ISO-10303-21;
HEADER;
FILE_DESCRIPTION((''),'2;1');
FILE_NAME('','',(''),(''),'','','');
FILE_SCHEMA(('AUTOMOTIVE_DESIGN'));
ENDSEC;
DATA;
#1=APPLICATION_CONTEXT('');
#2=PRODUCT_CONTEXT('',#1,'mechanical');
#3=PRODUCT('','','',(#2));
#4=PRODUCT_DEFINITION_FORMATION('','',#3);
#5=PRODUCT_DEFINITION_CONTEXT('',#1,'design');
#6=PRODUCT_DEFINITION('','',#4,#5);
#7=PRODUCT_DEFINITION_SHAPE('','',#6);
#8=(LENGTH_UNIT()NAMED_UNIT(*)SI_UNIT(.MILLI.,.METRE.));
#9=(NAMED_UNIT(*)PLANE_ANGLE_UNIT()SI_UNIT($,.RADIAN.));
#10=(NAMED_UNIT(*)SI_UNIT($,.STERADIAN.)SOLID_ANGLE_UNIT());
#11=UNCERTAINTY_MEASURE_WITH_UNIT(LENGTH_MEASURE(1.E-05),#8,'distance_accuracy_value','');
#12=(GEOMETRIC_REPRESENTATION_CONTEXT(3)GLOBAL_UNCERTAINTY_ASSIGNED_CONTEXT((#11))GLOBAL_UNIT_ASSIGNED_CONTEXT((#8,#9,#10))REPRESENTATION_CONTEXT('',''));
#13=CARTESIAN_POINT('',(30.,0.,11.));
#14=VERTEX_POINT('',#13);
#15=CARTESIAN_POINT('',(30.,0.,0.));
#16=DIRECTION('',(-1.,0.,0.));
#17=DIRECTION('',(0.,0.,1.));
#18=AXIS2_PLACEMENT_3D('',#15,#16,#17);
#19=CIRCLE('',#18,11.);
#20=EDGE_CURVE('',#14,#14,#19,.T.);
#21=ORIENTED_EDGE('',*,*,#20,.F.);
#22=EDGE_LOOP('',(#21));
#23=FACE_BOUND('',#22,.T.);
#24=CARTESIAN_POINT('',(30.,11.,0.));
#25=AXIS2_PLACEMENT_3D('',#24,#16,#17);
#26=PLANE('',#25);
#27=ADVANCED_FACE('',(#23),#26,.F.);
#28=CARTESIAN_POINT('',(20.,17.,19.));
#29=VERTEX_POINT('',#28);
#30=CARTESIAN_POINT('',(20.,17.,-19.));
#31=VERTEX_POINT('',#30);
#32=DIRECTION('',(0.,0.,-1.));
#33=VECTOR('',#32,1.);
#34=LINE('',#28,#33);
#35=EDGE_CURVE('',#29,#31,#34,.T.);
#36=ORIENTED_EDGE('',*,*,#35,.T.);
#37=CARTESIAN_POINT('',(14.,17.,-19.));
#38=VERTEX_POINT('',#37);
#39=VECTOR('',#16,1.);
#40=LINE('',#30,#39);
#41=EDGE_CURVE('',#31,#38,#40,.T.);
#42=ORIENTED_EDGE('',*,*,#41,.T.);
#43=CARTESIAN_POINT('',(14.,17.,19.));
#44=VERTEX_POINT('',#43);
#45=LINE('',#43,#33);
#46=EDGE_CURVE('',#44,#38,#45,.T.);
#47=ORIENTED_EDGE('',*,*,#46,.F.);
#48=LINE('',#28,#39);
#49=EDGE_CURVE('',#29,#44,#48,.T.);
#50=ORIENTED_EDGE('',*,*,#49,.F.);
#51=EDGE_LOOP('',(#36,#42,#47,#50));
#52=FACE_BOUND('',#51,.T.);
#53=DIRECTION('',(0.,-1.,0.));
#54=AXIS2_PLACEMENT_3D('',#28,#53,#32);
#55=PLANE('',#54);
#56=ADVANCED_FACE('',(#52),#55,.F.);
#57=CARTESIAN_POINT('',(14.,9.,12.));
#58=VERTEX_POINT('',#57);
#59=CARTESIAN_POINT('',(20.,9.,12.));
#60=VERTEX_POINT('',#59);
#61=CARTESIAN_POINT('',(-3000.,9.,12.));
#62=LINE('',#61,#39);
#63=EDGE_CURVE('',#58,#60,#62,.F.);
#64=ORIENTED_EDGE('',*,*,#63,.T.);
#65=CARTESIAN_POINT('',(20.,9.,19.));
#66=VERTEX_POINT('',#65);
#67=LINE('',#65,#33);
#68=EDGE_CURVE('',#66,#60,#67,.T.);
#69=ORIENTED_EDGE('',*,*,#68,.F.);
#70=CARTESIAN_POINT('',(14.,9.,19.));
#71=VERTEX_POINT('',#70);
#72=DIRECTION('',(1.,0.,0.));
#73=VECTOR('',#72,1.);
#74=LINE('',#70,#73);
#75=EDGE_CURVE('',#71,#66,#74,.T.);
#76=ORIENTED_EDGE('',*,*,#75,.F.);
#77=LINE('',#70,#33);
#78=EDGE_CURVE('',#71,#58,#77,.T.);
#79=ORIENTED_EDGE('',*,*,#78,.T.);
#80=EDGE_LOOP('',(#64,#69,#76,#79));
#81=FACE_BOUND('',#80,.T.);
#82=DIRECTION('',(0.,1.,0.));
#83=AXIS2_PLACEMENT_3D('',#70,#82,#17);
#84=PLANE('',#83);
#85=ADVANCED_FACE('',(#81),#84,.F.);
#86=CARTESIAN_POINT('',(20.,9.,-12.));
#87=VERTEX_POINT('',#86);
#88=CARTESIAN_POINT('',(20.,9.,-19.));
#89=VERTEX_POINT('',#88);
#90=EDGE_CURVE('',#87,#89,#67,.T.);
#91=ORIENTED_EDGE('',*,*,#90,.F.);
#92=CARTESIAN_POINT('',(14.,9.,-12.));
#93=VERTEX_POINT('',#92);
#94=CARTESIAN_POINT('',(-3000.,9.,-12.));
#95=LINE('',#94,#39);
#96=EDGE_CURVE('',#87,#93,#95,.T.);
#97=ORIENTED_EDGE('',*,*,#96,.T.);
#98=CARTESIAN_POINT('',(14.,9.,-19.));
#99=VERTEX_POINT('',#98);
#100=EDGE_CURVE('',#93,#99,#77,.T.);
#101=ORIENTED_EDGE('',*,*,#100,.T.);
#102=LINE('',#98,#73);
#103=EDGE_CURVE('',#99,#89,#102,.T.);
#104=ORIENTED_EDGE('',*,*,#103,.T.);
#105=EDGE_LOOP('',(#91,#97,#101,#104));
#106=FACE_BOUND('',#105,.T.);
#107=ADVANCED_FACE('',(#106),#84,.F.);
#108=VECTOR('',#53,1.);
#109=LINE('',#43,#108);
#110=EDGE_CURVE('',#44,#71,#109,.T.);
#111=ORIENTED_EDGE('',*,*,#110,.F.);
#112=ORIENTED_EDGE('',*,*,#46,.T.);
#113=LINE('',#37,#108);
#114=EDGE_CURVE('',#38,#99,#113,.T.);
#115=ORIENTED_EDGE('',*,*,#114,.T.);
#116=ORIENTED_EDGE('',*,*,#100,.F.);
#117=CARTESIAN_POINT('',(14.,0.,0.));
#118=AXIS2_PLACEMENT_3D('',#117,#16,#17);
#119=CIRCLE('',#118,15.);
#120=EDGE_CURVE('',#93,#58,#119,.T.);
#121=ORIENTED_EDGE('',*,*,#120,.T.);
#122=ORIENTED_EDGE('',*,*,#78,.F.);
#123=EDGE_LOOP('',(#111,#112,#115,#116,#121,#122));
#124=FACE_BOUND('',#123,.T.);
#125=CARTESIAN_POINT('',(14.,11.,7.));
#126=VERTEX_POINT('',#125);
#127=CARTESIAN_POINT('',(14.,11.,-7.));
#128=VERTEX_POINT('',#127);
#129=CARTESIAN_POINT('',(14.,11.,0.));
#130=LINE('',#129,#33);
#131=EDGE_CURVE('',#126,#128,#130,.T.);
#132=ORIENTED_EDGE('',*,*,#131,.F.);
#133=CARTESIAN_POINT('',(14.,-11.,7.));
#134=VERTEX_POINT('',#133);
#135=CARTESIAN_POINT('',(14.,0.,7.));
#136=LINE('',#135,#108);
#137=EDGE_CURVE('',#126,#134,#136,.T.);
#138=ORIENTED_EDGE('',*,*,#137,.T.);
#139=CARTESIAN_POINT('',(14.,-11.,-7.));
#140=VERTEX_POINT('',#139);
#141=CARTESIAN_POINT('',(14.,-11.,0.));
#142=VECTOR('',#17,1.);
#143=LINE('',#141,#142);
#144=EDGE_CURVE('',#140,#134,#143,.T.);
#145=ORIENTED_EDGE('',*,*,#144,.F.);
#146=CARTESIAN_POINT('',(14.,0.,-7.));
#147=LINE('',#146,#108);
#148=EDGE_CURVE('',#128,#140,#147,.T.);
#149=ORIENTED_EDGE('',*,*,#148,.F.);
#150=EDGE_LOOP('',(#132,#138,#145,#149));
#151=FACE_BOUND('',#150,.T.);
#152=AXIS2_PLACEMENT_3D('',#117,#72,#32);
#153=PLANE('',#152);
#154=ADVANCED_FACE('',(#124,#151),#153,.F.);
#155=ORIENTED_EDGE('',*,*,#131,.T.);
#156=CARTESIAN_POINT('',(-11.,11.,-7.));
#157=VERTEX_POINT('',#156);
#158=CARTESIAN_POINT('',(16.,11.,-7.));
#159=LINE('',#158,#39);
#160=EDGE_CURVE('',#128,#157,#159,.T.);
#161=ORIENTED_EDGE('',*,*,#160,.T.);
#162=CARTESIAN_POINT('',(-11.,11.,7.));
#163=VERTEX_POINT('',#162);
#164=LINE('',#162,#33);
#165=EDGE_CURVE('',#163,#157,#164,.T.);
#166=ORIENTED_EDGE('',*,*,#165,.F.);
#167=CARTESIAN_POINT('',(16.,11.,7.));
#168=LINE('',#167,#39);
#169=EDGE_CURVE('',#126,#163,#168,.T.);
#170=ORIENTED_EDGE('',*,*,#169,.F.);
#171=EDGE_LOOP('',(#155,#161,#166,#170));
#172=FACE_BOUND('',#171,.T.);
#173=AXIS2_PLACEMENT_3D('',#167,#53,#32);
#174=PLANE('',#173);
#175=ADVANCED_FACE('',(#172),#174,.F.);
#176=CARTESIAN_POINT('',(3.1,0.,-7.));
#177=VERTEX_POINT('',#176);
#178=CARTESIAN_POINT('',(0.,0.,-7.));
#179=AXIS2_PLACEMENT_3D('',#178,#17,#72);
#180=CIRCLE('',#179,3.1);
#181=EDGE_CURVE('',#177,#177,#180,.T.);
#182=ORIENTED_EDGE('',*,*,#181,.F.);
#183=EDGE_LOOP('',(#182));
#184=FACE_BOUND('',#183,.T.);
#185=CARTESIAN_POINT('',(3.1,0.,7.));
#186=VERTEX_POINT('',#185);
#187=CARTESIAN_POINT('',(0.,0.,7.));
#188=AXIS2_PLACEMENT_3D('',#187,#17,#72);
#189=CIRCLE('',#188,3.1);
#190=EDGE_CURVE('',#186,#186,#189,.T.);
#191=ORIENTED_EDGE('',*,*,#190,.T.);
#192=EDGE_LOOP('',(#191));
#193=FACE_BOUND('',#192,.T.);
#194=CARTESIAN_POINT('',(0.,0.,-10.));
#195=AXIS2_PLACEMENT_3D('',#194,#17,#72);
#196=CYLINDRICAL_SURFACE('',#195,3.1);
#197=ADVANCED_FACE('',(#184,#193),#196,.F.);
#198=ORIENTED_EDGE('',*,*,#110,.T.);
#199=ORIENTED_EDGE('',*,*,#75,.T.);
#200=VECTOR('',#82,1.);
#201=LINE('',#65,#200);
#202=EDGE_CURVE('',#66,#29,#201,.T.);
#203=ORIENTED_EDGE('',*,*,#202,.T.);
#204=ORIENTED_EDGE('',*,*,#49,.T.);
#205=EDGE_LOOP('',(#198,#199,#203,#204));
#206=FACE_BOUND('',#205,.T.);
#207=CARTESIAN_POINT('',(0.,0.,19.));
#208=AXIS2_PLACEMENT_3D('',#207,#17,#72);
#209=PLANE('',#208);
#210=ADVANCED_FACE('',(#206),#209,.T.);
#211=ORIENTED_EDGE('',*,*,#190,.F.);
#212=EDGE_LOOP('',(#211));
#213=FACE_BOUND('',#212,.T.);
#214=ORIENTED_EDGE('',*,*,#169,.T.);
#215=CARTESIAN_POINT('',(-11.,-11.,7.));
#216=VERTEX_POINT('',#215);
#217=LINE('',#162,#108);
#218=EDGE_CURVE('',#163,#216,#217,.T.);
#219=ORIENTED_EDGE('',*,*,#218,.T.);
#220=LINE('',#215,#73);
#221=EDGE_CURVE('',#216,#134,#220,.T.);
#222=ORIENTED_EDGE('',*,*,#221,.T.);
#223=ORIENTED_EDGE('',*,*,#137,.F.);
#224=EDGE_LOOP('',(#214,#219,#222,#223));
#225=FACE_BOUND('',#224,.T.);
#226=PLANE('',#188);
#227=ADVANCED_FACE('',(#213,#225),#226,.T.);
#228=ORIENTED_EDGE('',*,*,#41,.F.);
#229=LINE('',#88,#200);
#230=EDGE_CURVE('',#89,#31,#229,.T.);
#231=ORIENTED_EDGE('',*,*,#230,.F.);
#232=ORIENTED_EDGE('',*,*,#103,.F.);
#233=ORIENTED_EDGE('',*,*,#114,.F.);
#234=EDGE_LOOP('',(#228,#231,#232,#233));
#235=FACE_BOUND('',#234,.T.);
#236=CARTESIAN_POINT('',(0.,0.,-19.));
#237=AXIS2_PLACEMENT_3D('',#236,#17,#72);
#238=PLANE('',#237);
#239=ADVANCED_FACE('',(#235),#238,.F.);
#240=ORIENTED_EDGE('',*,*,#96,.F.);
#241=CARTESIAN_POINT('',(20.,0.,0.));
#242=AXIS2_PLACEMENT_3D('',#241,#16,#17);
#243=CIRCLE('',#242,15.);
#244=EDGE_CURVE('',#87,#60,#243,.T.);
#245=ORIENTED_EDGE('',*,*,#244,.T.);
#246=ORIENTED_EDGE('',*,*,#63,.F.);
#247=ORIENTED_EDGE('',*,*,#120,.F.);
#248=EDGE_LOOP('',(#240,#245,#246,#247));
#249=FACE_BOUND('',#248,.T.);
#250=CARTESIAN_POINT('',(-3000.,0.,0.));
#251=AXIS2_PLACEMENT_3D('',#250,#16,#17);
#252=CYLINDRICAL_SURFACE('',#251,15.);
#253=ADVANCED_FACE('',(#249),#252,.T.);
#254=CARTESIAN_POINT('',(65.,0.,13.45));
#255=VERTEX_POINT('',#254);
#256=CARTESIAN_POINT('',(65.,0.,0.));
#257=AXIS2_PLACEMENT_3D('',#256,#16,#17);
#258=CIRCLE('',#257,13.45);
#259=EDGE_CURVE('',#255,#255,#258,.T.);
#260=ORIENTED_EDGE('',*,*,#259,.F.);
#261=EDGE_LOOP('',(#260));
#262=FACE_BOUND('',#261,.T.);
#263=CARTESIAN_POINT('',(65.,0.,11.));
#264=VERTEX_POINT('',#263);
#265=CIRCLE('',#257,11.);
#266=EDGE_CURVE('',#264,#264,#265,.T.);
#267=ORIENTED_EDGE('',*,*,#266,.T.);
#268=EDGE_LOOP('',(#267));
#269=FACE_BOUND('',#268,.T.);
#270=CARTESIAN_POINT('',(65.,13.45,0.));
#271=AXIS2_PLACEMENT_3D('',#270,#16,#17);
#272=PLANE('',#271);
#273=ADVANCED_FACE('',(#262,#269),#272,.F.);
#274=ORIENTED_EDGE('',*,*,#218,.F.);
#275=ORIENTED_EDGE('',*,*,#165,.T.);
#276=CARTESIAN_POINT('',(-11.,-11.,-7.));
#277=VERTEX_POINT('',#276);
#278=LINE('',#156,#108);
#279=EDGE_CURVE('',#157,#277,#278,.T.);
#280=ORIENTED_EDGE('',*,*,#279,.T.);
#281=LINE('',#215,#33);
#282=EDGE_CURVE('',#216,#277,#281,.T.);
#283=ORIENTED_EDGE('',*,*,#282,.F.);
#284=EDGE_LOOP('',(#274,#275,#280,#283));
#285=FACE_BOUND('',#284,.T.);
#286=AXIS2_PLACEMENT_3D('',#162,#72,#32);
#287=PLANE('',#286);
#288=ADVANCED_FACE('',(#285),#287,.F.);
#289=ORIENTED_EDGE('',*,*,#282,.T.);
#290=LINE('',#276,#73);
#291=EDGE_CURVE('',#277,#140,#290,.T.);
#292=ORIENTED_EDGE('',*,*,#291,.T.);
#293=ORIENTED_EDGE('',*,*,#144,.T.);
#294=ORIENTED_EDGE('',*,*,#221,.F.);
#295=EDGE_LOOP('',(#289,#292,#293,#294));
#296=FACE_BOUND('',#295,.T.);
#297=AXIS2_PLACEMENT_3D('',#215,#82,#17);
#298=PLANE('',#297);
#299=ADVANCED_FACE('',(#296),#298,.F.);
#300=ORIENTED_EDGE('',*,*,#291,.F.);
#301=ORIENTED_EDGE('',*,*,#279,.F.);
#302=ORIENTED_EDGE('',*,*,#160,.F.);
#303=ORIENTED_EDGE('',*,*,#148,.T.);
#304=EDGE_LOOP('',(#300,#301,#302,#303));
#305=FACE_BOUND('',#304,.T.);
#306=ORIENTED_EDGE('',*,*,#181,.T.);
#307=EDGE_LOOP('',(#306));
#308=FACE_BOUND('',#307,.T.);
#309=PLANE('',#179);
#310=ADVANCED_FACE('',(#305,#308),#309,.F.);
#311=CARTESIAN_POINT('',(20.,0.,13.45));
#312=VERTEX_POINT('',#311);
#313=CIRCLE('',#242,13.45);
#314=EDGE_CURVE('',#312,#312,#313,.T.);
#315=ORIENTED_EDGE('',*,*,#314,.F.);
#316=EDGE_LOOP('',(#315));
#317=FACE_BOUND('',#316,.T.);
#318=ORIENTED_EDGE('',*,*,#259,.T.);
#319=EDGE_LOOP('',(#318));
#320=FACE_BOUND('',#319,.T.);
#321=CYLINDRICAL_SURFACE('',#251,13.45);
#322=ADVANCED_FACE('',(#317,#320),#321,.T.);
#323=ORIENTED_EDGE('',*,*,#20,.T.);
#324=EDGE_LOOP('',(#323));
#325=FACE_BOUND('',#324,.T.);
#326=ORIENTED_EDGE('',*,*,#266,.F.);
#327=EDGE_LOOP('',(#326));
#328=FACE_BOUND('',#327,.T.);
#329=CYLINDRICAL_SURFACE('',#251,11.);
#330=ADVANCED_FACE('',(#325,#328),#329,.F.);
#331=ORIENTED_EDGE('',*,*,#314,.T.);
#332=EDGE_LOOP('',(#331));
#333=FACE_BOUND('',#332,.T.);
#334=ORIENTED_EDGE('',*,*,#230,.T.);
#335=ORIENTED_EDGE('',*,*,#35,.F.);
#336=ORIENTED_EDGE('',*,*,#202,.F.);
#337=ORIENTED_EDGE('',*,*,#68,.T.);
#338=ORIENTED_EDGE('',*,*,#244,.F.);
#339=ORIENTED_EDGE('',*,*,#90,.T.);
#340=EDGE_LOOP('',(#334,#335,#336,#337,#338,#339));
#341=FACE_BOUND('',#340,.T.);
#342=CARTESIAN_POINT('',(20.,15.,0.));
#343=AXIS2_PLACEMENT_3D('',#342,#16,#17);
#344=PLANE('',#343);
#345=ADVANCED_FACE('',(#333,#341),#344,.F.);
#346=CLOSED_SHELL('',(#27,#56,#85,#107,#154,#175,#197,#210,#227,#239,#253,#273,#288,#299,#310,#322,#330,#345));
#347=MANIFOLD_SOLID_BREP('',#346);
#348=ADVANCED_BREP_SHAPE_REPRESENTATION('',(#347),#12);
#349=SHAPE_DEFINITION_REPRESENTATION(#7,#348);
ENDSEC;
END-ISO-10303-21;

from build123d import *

# Parameters (mm, degrees)
TONGUE_SKETCH_W   = 27
TONGUE_SKETCH_H   = 22
TONGUE_DEPTH      = 7
PAD_SKETCH_W      = 6
PAD_SKETCH_H      = 8
SWITCH_PAD_DEPTH  = 19
PIN_HOLE_SKETCH_R = 3.1
PIN_HOLE_DEPTH    = 10


with BuildPart() as part:
    # Stem Sketch → Stem (revolve)
    with BuildSketch(Plane.XY):
        Polygon((14, 0), (14, 15), (20, 15), (20, 13.45), (65, 13.45), (65, 11), (30, 11), (30, 0), align=None)
    revolve(axis=Axis((-3000, 0, 0), (1, 0, 0)))

    # Tongue Sketch → Tongue (add, symmetric)
    with BuildSketch(Plane.XY):
        with Locations((2.5, 0)):
            Rectangle(TONGUE_SKETCH_W, TONGUE_SKETCH_H)
    extrude(amount=TONGUE_DEPTH, both=True)

    # Pad Sketch → Switch Pad (add, symmetric)
    with BuildSketch(Plane.XY):
        with Locations((17, 13)):
            Rectangle(PAD_SKETCH_W, PAD_SKETCH_H)
    extrude(amount=SWITCH_PAD_DEPTH, both=True)

    # Pin Hole Sketch → Pin Hole (cut, symmetric)
    with BuildSketch(Plane.XY):
        Circle(PIN_HOLE_SKETCH_R)
    extrude(amount=PIN_HOLE_DEPTH, both=True, mode=Mode.SUBTRACT)


solid = part.part
